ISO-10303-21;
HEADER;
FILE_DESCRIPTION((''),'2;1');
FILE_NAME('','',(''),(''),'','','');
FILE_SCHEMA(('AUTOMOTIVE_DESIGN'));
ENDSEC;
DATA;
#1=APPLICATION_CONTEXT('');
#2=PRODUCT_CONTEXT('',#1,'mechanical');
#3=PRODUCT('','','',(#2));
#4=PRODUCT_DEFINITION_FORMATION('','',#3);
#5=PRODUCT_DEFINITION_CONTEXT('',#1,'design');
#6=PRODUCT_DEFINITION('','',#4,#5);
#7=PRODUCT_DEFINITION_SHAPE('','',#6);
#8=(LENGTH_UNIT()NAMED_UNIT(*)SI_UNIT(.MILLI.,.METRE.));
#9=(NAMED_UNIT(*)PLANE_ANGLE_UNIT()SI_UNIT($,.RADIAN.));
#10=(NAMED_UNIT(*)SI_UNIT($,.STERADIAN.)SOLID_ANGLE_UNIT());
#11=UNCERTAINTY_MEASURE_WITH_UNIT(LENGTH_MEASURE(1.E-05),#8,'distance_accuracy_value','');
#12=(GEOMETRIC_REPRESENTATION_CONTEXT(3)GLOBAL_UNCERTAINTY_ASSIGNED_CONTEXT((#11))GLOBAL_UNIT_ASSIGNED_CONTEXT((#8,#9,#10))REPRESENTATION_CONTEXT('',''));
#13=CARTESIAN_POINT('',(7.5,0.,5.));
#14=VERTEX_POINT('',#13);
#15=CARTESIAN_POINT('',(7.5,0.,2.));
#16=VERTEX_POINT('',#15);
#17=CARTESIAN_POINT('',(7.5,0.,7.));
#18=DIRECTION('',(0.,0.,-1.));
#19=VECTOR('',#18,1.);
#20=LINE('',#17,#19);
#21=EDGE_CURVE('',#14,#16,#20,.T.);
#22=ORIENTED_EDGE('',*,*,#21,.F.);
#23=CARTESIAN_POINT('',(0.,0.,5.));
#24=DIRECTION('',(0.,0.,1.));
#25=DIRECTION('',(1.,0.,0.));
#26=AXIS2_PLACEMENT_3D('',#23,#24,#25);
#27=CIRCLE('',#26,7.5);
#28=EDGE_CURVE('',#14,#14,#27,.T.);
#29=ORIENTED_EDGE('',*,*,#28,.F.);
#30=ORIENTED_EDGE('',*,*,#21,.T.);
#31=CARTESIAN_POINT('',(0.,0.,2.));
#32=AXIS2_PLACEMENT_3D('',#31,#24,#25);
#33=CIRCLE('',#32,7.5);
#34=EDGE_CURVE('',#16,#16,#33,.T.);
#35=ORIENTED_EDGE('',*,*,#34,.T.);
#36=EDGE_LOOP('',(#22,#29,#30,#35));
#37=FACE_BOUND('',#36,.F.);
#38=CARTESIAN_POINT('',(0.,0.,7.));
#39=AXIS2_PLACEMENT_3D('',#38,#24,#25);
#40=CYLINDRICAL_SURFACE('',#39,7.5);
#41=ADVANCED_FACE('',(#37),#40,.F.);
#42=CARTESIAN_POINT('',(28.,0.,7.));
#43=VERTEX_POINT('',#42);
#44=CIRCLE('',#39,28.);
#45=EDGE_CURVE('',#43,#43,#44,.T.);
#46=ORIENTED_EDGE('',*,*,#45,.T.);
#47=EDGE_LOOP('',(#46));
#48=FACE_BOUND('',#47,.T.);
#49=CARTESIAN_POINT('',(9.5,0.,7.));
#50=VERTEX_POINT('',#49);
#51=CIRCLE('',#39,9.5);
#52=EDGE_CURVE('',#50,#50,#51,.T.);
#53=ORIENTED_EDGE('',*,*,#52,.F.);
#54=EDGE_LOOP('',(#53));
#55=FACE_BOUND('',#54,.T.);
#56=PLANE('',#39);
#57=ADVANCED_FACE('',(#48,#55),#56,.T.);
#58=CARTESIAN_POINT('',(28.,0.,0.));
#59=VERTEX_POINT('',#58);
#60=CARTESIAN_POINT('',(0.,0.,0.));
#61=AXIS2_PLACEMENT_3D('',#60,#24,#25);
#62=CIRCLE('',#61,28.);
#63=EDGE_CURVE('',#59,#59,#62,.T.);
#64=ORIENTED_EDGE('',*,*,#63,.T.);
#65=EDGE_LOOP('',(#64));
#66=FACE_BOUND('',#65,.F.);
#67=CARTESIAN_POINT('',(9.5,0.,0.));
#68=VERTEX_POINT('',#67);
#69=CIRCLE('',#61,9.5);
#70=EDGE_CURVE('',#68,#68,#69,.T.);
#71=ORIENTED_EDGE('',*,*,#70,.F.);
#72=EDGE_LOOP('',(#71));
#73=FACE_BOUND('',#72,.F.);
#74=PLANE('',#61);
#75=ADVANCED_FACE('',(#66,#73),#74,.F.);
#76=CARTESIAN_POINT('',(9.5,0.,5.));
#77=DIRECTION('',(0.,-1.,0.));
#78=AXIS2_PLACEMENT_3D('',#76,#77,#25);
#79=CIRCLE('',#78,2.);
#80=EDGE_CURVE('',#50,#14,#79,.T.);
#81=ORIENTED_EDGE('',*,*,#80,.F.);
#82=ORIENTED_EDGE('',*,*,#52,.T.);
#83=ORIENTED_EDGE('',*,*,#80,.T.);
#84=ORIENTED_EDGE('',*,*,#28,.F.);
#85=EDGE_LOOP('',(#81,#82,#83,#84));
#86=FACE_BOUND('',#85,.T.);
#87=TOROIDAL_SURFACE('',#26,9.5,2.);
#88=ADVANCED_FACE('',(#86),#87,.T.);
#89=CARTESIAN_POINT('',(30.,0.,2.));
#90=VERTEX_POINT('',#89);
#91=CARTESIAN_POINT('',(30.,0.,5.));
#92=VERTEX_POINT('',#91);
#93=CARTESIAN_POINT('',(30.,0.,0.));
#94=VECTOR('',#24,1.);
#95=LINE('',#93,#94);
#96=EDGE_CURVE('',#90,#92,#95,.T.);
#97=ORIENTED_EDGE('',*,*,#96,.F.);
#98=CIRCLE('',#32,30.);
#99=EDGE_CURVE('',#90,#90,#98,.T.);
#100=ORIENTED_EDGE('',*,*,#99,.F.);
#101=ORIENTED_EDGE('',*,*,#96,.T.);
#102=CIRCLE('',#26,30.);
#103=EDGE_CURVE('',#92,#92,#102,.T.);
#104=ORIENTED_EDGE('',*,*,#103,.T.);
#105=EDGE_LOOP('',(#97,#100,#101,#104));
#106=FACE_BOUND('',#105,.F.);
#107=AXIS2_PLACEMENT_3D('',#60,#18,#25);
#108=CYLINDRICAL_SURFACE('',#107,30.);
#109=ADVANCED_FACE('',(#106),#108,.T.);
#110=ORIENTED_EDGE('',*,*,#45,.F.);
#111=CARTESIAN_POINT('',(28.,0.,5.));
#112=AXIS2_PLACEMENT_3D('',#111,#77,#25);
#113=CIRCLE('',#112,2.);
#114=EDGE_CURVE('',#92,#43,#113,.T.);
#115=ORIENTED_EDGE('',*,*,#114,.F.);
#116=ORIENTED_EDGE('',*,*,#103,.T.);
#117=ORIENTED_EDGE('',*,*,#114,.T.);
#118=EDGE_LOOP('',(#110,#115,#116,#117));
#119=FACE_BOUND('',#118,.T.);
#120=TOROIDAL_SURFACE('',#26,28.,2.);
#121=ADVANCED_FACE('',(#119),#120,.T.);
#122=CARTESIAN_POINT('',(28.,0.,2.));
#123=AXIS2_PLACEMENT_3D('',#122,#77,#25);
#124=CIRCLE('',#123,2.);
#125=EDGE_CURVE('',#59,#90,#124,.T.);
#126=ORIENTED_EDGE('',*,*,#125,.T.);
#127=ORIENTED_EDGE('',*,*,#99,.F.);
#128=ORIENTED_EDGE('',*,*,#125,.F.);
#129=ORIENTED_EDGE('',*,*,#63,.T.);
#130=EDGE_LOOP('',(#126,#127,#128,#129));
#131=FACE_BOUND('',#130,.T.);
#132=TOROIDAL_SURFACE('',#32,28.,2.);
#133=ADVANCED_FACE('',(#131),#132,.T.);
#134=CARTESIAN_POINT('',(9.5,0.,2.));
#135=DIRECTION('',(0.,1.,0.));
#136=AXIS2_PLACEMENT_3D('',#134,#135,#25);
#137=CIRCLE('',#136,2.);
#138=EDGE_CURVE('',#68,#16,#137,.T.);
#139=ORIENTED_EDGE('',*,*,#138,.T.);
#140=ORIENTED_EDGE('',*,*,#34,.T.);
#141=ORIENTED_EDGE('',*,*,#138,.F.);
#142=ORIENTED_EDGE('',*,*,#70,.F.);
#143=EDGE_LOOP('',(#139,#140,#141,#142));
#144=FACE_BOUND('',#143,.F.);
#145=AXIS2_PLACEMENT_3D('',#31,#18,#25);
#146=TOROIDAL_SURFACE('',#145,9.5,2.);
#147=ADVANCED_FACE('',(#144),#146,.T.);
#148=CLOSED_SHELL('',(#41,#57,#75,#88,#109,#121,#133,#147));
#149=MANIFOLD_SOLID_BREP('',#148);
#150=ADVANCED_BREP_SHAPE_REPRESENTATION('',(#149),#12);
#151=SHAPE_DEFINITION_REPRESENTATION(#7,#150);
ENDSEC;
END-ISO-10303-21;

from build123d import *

# Parameters (mm, degrees)
F0_R     = 30
F1_DEPTH = 7
F3_R     = 7.5
F4_DEPTH = 25
F5_R     = 2
F6_R     = 2


with BuildPart() as f1:
    # F0 (on Top) → F1 (new body)
    with BuildSketch(Plane.XY):
        Circle(F0_R)
    extrude(amount=F1_DEPTH)

    # F3 (on face) → F4 (cut)
    with BuildSketch(Plane.XY.offset(7)):
        Circle(F3_R)
    extrude(amount=-F4_DEPTH, mode=Mode.SUBTRACT)

    # F5
    f5_edges = [f1.edges().sort_by_distance(p)[0] for p in [
        (-7.5, 0, 7),
        (-7.5, 0, 0),
    ]]
    fillet(f5_edges, radius=F5_R)

    # F6
    f6_edges = [f1.edges().sort_by_distance(p)[0] for p in [
        (-30, 0, 7),
        (-30, 0, 0),
    ]]
    fillet(f6_edges, radius=F6_R)


solid = f1.part
